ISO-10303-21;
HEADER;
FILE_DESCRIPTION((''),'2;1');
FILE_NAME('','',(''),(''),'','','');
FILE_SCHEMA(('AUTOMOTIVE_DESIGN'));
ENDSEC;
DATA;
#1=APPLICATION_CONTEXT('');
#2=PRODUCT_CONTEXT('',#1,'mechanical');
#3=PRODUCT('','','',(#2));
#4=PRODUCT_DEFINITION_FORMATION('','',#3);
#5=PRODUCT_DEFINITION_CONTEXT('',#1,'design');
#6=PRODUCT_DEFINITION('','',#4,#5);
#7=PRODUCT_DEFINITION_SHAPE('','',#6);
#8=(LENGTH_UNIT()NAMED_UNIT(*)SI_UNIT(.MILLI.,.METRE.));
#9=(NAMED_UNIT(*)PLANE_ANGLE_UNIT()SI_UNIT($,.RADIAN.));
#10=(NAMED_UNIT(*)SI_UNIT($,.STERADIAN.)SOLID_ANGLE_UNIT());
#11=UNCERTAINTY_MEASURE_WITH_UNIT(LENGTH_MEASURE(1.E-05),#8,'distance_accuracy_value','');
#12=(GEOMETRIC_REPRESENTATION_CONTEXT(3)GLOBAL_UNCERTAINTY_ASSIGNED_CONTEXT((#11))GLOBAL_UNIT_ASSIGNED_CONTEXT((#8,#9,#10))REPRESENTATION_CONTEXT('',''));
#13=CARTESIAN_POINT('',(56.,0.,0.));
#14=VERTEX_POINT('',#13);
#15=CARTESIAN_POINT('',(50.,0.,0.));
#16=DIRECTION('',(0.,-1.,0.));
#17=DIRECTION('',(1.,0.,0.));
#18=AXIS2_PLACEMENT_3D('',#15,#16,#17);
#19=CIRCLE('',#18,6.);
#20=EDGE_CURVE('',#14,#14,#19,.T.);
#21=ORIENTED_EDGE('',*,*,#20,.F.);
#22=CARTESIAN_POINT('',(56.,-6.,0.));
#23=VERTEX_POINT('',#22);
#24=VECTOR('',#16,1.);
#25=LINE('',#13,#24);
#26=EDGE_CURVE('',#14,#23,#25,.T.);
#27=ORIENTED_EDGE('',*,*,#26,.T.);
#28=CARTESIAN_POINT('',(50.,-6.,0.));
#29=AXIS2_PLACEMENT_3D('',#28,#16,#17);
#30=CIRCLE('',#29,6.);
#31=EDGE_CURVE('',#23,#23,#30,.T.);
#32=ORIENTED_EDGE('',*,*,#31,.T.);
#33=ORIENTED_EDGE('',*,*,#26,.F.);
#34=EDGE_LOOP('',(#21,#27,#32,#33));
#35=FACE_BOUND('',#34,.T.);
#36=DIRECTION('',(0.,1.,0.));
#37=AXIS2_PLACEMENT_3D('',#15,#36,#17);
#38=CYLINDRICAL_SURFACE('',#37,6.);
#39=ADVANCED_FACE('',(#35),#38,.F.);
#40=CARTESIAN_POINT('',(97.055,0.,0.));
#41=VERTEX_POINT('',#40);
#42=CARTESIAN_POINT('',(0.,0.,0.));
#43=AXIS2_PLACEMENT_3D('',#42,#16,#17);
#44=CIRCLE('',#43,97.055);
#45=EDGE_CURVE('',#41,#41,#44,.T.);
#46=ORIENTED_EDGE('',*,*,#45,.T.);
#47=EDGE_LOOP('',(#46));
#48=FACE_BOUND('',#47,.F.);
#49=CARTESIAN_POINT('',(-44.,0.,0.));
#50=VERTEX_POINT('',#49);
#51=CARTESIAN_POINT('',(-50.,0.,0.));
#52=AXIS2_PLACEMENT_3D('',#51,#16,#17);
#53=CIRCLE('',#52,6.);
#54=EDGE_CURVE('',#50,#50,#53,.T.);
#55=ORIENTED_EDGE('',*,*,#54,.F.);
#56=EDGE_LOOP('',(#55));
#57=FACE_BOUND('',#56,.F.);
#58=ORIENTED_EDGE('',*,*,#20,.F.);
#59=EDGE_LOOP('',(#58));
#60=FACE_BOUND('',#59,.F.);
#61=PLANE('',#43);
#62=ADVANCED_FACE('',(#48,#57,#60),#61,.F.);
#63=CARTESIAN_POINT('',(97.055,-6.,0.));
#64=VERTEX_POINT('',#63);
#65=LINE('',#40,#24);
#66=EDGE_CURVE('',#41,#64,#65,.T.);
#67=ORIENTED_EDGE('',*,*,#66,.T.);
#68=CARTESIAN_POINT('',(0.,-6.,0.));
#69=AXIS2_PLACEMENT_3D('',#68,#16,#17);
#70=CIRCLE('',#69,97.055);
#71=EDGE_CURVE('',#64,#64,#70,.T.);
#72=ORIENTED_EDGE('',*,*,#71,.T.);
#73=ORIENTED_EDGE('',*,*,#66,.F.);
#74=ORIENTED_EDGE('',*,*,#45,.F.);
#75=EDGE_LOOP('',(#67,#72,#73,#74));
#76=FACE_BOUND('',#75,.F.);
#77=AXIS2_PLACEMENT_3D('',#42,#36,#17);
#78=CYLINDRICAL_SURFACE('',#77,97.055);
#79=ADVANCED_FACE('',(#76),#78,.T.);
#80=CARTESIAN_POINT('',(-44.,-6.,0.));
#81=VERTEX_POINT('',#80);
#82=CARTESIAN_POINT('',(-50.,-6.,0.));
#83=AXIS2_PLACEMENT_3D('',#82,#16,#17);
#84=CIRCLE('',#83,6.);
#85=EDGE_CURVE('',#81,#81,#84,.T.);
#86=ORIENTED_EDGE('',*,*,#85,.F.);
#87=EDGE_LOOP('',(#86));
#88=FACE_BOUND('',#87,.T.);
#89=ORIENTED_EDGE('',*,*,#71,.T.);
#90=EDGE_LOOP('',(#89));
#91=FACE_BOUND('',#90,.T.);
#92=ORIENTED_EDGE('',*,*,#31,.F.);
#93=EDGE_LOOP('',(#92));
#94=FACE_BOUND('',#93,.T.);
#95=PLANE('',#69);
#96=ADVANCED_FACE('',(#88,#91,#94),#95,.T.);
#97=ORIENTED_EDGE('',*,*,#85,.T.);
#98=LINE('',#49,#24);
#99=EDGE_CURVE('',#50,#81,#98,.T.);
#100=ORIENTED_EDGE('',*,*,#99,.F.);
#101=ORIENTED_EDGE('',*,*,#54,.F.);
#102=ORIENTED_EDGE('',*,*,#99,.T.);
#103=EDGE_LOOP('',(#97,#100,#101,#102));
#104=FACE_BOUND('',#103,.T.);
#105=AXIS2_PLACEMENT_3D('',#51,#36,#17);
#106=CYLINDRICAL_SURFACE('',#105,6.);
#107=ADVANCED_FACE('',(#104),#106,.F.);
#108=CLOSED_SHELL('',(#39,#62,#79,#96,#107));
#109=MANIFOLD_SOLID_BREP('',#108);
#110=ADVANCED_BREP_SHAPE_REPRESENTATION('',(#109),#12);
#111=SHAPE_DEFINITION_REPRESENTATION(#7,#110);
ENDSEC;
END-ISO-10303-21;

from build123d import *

# Parameters (mm, degrees)
F0_R     = 97.055
F0_R_2   = 6
F1_DEPTH = 6


with BuildPart() as f1:
    # F0 (on Front) → F1 (new body)
    with BuildSketch(Plane.XZ):
        Circle(F0_R)
        with Locations((-50, 0)):
            Circle(F0_R_2, mode=Mode.SUBTRACT)
        with Locations((50, 0)):
            Circle(F0_R_2, mode=Mode.SUBTRACT)
    extrude(amount=F1_DEPTH)


solid = f1.part
